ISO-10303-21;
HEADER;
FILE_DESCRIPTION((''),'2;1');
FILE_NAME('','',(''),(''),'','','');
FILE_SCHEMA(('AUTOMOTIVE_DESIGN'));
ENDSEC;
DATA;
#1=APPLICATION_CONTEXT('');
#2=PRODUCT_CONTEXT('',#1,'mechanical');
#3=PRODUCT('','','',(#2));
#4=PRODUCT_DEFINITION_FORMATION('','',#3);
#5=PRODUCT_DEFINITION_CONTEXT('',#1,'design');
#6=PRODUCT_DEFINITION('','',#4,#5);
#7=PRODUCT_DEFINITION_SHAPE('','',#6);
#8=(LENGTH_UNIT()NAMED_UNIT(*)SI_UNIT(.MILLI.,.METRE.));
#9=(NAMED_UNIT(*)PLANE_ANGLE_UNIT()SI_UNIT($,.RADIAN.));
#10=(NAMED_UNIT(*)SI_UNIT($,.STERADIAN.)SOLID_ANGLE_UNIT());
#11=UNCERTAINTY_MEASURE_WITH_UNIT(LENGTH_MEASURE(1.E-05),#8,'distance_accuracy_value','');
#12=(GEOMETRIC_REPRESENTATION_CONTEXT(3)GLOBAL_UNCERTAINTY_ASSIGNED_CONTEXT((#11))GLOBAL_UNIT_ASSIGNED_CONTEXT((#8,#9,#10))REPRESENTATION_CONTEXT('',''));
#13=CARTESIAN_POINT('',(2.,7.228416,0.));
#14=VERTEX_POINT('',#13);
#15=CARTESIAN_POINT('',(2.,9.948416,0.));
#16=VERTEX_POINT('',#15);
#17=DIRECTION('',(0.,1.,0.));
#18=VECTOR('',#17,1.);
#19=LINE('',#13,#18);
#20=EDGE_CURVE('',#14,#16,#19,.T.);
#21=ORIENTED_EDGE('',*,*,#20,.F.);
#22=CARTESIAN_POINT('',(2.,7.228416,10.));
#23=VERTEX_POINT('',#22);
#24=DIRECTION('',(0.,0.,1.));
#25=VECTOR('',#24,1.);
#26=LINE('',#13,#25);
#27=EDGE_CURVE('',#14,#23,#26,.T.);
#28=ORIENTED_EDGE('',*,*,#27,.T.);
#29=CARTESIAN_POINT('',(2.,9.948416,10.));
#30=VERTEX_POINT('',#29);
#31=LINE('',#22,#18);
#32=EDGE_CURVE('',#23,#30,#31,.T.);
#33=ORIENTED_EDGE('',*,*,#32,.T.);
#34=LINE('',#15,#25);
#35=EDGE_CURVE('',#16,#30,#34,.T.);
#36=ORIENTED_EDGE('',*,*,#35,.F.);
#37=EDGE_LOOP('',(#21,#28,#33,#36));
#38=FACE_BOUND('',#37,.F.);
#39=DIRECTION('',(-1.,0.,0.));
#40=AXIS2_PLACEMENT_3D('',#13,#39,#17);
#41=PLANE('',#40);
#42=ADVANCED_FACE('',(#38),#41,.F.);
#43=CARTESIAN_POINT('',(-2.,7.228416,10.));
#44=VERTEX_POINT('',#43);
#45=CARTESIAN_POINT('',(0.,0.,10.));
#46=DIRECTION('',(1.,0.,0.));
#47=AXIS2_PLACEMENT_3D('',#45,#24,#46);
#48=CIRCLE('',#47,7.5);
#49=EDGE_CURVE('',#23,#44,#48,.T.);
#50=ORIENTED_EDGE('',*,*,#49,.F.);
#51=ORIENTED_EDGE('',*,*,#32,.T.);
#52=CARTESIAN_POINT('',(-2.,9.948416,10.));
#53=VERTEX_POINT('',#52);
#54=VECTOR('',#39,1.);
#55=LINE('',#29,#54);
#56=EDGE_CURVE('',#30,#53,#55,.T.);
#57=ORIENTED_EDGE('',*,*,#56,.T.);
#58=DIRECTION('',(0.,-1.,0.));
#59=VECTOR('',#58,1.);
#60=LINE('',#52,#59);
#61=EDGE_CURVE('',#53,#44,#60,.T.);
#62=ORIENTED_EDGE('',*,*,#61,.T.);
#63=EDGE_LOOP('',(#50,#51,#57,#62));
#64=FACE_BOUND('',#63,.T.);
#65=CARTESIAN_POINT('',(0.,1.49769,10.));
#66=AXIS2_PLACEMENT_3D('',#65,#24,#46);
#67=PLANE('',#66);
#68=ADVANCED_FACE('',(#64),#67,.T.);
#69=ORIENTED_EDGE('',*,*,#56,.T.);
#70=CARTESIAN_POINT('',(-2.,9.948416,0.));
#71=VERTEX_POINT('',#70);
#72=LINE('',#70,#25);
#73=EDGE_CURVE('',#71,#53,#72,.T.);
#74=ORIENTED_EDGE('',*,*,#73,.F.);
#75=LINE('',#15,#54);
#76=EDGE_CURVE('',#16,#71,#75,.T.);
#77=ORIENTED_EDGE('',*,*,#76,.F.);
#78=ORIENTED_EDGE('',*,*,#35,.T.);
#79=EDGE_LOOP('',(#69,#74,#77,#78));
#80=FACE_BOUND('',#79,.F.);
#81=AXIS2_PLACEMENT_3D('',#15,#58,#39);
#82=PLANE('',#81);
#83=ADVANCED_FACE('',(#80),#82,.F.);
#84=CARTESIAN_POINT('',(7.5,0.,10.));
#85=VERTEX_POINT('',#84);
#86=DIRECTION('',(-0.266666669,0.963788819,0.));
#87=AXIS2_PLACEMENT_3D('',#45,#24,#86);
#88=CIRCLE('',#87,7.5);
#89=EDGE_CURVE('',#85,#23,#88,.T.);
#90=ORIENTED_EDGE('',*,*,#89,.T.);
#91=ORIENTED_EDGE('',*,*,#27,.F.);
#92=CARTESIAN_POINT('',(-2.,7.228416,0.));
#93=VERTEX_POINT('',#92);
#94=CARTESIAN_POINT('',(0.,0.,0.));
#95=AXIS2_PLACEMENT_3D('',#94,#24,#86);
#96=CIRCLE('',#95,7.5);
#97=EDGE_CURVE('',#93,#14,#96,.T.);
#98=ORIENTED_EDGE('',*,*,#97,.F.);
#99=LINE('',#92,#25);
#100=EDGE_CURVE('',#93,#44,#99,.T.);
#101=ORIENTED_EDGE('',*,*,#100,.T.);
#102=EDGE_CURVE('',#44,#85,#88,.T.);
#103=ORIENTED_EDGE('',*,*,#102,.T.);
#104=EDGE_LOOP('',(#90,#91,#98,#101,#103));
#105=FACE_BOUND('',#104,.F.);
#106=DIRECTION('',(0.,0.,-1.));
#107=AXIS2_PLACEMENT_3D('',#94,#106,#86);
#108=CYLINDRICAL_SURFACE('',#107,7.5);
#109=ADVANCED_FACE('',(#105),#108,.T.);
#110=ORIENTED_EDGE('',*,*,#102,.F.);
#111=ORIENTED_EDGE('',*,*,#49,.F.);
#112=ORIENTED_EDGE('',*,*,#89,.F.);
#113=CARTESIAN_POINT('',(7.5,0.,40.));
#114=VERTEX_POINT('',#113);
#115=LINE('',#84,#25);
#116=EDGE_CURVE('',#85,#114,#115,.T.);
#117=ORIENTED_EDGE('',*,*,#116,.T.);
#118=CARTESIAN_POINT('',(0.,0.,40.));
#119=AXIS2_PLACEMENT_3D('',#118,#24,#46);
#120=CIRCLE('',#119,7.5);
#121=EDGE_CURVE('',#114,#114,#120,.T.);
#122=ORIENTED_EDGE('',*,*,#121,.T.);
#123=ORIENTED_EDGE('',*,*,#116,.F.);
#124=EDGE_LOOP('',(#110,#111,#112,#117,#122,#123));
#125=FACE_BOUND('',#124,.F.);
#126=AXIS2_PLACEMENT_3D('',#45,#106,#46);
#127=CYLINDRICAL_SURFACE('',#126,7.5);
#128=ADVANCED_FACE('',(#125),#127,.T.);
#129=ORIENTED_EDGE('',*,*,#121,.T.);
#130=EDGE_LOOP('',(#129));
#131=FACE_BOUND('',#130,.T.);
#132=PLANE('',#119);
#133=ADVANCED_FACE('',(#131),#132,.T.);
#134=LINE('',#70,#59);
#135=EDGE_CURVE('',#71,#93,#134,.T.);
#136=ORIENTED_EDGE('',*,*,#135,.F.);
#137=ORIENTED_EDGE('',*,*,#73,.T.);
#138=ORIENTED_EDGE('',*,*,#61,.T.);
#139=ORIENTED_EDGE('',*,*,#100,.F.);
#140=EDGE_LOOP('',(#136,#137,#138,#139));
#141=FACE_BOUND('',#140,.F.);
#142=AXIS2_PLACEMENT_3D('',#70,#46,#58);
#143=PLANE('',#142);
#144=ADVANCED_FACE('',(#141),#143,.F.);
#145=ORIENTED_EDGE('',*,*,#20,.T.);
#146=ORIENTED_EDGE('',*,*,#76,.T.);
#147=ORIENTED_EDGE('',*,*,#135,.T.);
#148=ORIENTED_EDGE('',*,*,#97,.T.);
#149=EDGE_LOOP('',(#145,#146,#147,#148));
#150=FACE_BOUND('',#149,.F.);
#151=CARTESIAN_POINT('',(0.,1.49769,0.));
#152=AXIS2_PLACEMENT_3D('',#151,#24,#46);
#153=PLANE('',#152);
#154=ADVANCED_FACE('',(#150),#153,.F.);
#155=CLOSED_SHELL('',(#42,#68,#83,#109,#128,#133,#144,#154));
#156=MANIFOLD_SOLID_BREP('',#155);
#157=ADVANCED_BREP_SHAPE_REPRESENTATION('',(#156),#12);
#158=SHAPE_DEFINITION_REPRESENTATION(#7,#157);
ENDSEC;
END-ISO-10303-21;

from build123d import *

# Parameters (mm, degrees)
F1_DEPTH = 10
F2_R     = 7.5
F3_DEPTH = 30


with BuildPart() as f1:
    # F0 (on Top) → F1 (new body)
    with BuildSketch(Plane.XY):
        with BuildLine():
            Line((-2, 9.948416), (-2, 7.228416))
            ThreePointArc((-2, 7.228416), (0, -7.5), (2, 7.228416))
            Line((2, 7.228416), (2, 9.948416))
            Line((2, 9.948416), (-2, 9.948416))
        make_face()
    extrude(amount=F1_DEPTH)

    # F2 (on face) → F3 (join)
    with BuildSketch(Plane.XY.offset(10)):
        Circle(F2_R)
    extrude(amount=F3_DEPTH)


solid = f1.part
